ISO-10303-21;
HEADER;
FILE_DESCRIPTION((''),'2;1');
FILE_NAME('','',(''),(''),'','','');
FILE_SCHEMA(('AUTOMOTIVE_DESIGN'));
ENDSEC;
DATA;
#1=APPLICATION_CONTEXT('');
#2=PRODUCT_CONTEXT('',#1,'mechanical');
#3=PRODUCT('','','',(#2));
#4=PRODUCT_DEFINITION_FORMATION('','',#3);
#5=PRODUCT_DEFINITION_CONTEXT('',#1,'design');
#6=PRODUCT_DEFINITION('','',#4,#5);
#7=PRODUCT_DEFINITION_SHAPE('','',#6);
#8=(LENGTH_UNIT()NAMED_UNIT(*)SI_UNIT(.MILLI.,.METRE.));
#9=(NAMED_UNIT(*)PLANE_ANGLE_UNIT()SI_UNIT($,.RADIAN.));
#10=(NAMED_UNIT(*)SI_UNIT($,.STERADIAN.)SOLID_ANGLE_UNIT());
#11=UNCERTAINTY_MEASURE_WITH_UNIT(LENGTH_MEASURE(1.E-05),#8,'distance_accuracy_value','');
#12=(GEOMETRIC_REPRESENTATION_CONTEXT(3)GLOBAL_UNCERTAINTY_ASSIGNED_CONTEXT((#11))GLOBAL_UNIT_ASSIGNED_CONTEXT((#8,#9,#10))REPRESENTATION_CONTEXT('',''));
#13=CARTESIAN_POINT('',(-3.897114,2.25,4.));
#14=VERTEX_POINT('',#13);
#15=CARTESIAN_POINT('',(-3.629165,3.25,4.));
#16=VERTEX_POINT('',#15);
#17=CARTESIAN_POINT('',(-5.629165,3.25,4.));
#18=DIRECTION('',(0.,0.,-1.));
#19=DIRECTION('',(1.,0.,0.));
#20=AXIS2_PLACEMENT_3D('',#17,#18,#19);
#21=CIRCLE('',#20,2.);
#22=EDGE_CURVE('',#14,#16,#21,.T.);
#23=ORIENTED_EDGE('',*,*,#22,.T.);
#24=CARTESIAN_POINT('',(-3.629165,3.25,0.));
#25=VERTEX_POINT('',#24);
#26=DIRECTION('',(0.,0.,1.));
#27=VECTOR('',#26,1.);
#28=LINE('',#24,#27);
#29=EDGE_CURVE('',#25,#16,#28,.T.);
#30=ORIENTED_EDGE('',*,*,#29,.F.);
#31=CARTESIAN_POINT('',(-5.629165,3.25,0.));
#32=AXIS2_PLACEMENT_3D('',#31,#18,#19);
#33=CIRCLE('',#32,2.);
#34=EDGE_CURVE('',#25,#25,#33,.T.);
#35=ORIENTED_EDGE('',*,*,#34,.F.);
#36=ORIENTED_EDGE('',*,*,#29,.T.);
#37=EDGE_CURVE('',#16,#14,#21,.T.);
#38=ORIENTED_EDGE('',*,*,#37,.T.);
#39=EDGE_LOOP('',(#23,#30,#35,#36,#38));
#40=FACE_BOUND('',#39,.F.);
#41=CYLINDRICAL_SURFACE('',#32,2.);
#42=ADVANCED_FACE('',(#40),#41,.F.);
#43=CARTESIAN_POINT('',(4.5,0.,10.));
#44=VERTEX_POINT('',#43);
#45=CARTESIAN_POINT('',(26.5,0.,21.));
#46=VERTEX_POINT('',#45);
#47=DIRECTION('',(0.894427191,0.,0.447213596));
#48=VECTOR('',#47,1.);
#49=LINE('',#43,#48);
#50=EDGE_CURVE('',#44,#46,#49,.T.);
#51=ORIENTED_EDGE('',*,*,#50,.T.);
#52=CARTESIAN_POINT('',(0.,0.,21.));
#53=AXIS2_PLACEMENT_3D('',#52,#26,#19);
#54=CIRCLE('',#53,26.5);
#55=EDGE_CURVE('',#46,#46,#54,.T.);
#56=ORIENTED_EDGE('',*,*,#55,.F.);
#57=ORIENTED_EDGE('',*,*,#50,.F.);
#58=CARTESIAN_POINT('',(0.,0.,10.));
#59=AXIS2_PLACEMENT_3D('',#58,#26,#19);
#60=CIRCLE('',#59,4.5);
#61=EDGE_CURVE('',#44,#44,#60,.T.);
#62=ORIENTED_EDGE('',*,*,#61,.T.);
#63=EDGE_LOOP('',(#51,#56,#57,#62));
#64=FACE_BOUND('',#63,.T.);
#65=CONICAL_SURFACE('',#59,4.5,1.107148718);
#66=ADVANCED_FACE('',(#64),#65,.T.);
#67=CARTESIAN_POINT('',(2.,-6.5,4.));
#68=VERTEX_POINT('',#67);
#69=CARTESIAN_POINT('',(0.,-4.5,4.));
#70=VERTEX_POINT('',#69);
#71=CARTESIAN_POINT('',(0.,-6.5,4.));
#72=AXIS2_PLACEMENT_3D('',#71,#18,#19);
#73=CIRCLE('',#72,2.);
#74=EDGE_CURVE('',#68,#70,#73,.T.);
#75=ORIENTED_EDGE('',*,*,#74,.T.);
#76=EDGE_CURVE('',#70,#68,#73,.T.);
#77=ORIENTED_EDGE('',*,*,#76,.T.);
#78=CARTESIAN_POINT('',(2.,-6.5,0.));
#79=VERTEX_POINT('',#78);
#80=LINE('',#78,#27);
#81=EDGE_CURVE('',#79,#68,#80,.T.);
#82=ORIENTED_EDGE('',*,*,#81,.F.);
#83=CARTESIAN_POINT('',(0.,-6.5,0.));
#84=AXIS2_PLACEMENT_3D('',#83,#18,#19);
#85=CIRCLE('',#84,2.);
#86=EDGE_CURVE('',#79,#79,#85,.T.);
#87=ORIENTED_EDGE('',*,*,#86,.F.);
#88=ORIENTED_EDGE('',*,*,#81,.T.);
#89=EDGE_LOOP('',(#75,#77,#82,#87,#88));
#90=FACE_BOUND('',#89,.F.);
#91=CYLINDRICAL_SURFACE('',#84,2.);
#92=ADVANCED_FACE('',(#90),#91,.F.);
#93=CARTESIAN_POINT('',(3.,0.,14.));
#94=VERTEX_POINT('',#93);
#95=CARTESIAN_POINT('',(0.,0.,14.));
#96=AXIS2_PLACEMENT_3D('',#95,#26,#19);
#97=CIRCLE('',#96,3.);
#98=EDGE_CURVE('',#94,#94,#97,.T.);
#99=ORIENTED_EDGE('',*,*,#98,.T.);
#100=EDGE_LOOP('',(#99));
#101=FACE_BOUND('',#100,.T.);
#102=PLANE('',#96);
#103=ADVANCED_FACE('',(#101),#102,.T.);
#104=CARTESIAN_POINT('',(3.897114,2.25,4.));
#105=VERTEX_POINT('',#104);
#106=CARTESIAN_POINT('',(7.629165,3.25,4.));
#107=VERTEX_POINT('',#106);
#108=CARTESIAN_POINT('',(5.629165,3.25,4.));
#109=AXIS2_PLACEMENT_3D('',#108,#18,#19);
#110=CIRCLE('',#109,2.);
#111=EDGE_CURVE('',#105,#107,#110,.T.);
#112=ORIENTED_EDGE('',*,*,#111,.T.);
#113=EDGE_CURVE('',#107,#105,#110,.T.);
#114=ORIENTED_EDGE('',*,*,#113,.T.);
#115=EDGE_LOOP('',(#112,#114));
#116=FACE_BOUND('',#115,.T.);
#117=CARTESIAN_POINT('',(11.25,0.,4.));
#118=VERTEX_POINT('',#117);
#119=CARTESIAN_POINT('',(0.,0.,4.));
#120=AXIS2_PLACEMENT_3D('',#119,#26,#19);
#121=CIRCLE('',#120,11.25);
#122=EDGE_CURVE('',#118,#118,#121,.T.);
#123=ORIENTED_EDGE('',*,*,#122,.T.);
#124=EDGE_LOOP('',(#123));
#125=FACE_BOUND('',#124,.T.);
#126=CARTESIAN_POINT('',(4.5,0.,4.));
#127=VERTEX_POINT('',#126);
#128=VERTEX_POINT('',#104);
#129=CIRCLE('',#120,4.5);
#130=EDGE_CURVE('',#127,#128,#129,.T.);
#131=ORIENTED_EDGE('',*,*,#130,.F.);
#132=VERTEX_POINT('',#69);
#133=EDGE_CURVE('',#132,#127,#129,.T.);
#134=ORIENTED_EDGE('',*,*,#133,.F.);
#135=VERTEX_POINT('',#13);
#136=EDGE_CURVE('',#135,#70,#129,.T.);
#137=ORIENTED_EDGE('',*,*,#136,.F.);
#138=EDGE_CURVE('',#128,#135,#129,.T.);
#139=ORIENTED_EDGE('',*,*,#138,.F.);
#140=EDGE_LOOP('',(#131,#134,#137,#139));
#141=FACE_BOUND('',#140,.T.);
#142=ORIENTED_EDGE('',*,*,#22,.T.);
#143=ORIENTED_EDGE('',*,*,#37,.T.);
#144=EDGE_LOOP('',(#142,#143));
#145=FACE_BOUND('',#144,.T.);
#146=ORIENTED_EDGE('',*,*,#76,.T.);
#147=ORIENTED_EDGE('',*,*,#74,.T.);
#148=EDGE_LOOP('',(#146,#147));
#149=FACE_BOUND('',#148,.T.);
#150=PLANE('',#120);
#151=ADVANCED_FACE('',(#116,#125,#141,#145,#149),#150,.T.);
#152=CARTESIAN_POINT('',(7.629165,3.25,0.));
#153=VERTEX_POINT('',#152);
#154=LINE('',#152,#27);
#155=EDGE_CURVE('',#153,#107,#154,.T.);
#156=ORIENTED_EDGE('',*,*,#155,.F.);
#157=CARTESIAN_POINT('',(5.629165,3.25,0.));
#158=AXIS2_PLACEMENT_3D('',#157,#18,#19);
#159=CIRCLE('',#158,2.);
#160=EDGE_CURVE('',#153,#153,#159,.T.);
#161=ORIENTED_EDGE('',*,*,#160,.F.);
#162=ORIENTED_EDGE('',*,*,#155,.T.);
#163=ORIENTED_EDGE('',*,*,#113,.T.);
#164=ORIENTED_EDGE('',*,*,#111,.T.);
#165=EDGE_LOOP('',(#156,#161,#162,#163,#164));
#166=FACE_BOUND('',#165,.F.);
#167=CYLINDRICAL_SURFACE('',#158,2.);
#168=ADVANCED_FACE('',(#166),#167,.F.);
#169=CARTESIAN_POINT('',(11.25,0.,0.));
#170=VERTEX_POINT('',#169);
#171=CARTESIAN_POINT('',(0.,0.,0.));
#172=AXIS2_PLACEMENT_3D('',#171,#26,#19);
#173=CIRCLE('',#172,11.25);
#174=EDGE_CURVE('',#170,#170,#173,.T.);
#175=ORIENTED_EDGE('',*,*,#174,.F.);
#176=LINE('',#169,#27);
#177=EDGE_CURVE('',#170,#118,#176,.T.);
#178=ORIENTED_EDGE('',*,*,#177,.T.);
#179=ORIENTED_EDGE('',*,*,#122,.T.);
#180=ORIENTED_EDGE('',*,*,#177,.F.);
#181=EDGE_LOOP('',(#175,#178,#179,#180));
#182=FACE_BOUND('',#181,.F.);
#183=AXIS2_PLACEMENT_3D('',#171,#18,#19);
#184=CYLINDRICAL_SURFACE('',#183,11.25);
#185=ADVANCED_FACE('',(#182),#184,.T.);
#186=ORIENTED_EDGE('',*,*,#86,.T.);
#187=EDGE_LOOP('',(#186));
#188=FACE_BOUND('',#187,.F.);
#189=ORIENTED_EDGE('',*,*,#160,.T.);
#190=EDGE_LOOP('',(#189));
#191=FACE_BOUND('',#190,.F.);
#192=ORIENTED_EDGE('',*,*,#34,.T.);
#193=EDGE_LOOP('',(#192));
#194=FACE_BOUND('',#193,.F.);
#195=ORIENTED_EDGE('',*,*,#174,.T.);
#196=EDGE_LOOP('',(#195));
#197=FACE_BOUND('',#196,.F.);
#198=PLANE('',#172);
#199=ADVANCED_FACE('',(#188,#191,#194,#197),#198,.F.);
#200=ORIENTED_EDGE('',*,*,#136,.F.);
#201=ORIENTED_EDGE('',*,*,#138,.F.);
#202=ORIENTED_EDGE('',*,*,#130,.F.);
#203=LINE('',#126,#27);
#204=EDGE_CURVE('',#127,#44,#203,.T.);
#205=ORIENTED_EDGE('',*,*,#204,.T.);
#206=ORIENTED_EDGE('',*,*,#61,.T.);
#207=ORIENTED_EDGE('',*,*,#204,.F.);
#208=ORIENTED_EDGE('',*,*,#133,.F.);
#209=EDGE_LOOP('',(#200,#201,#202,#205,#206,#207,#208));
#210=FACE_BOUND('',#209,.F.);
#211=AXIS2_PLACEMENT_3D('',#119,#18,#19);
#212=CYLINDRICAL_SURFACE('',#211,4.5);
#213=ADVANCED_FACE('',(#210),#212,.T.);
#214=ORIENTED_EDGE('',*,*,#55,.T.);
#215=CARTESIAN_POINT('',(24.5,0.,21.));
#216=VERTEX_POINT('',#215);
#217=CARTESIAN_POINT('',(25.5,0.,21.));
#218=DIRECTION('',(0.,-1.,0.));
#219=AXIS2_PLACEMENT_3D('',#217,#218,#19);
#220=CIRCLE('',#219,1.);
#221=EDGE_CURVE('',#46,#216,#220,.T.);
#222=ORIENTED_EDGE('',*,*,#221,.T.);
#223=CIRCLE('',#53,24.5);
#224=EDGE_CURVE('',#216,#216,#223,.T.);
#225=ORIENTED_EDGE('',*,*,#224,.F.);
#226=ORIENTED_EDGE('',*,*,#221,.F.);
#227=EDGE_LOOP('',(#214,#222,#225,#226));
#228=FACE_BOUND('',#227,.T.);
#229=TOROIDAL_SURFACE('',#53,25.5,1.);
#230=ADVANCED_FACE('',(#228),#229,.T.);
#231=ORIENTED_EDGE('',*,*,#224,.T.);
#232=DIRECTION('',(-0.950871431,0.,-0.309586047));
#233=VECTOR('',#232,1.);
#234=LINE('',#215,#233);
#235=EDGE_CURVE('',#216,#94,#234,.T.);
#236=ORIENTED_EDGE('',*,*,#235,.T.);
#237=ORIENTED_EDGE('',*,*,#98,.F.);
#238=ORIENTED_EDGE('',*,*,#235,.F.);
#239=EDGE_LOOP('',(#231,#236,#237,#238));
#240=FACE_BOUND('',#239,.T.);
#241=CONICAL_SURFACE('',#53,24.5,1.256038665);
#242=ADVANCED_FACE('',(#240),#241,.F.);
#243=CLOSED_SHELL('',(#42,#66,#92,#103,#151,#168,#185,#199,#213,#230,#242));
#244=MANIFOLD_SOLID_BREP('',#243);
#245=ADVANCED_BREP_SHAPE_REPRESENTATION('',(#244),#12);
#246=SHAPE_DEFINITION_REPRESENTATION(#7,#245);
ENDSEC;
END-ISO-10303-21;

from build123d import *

# Parameters (mm, degrees)
F0_R     = 11.25
F1_DEPTH = 4
F2_R     = 4.5
F3_DEPTH = 6
F6_R     = 2
F7_DEPTH = 4


with BuildPart() as f1:
    # F0 (on Top) → F1 (new body)
    with BuildSketch(Plane.XY):
        Circle(F0_R)
    extrude(amount=F1_DEPTH)

    # F2 (on face) → F3 (join)
    with BuildSketch(Plane.XY.offset(4)):
        Circle(F2_R)
    extrude(amount=F3_DEPTH)

    # F4 (on Front) → F5 (revolve)
    with BuildSketch(Plane.XZ):
        with BuildLine():
            Line((3, 14), (0, 14))
            Line((0, 14), (0, 10))
            Line((0, 10), (4.5, 10))
            Line((4.5, 10), (26.5, 21))
            ThreePointArc((26.5, 21), (25.5, 22), (24.5, 21))
            Line((24.5, 21), (3, 14))
        make_face()
    revolve(axis=Axis((0, 0, 19.201497), (0, 0, 1)))

    # F6 (on face) → F7 (cut, through all)
    with BuildSketch(Plane(origin=(0, 0, 0), x_dir=(1, 0, 0), z_dir=(0, 0, -1))):
        with Locations((-5.629165, -3.25)):
            Circle(F6_R)
        with Locations((5.629165, -3.25)):
            Circle(F6_R)
        with Locations((0, 6.5)):
            Circle(F6_R)
    extrude(amount=-F7_DEPTH, mode=Mode.SUBTRACT)


solid = f1.part
